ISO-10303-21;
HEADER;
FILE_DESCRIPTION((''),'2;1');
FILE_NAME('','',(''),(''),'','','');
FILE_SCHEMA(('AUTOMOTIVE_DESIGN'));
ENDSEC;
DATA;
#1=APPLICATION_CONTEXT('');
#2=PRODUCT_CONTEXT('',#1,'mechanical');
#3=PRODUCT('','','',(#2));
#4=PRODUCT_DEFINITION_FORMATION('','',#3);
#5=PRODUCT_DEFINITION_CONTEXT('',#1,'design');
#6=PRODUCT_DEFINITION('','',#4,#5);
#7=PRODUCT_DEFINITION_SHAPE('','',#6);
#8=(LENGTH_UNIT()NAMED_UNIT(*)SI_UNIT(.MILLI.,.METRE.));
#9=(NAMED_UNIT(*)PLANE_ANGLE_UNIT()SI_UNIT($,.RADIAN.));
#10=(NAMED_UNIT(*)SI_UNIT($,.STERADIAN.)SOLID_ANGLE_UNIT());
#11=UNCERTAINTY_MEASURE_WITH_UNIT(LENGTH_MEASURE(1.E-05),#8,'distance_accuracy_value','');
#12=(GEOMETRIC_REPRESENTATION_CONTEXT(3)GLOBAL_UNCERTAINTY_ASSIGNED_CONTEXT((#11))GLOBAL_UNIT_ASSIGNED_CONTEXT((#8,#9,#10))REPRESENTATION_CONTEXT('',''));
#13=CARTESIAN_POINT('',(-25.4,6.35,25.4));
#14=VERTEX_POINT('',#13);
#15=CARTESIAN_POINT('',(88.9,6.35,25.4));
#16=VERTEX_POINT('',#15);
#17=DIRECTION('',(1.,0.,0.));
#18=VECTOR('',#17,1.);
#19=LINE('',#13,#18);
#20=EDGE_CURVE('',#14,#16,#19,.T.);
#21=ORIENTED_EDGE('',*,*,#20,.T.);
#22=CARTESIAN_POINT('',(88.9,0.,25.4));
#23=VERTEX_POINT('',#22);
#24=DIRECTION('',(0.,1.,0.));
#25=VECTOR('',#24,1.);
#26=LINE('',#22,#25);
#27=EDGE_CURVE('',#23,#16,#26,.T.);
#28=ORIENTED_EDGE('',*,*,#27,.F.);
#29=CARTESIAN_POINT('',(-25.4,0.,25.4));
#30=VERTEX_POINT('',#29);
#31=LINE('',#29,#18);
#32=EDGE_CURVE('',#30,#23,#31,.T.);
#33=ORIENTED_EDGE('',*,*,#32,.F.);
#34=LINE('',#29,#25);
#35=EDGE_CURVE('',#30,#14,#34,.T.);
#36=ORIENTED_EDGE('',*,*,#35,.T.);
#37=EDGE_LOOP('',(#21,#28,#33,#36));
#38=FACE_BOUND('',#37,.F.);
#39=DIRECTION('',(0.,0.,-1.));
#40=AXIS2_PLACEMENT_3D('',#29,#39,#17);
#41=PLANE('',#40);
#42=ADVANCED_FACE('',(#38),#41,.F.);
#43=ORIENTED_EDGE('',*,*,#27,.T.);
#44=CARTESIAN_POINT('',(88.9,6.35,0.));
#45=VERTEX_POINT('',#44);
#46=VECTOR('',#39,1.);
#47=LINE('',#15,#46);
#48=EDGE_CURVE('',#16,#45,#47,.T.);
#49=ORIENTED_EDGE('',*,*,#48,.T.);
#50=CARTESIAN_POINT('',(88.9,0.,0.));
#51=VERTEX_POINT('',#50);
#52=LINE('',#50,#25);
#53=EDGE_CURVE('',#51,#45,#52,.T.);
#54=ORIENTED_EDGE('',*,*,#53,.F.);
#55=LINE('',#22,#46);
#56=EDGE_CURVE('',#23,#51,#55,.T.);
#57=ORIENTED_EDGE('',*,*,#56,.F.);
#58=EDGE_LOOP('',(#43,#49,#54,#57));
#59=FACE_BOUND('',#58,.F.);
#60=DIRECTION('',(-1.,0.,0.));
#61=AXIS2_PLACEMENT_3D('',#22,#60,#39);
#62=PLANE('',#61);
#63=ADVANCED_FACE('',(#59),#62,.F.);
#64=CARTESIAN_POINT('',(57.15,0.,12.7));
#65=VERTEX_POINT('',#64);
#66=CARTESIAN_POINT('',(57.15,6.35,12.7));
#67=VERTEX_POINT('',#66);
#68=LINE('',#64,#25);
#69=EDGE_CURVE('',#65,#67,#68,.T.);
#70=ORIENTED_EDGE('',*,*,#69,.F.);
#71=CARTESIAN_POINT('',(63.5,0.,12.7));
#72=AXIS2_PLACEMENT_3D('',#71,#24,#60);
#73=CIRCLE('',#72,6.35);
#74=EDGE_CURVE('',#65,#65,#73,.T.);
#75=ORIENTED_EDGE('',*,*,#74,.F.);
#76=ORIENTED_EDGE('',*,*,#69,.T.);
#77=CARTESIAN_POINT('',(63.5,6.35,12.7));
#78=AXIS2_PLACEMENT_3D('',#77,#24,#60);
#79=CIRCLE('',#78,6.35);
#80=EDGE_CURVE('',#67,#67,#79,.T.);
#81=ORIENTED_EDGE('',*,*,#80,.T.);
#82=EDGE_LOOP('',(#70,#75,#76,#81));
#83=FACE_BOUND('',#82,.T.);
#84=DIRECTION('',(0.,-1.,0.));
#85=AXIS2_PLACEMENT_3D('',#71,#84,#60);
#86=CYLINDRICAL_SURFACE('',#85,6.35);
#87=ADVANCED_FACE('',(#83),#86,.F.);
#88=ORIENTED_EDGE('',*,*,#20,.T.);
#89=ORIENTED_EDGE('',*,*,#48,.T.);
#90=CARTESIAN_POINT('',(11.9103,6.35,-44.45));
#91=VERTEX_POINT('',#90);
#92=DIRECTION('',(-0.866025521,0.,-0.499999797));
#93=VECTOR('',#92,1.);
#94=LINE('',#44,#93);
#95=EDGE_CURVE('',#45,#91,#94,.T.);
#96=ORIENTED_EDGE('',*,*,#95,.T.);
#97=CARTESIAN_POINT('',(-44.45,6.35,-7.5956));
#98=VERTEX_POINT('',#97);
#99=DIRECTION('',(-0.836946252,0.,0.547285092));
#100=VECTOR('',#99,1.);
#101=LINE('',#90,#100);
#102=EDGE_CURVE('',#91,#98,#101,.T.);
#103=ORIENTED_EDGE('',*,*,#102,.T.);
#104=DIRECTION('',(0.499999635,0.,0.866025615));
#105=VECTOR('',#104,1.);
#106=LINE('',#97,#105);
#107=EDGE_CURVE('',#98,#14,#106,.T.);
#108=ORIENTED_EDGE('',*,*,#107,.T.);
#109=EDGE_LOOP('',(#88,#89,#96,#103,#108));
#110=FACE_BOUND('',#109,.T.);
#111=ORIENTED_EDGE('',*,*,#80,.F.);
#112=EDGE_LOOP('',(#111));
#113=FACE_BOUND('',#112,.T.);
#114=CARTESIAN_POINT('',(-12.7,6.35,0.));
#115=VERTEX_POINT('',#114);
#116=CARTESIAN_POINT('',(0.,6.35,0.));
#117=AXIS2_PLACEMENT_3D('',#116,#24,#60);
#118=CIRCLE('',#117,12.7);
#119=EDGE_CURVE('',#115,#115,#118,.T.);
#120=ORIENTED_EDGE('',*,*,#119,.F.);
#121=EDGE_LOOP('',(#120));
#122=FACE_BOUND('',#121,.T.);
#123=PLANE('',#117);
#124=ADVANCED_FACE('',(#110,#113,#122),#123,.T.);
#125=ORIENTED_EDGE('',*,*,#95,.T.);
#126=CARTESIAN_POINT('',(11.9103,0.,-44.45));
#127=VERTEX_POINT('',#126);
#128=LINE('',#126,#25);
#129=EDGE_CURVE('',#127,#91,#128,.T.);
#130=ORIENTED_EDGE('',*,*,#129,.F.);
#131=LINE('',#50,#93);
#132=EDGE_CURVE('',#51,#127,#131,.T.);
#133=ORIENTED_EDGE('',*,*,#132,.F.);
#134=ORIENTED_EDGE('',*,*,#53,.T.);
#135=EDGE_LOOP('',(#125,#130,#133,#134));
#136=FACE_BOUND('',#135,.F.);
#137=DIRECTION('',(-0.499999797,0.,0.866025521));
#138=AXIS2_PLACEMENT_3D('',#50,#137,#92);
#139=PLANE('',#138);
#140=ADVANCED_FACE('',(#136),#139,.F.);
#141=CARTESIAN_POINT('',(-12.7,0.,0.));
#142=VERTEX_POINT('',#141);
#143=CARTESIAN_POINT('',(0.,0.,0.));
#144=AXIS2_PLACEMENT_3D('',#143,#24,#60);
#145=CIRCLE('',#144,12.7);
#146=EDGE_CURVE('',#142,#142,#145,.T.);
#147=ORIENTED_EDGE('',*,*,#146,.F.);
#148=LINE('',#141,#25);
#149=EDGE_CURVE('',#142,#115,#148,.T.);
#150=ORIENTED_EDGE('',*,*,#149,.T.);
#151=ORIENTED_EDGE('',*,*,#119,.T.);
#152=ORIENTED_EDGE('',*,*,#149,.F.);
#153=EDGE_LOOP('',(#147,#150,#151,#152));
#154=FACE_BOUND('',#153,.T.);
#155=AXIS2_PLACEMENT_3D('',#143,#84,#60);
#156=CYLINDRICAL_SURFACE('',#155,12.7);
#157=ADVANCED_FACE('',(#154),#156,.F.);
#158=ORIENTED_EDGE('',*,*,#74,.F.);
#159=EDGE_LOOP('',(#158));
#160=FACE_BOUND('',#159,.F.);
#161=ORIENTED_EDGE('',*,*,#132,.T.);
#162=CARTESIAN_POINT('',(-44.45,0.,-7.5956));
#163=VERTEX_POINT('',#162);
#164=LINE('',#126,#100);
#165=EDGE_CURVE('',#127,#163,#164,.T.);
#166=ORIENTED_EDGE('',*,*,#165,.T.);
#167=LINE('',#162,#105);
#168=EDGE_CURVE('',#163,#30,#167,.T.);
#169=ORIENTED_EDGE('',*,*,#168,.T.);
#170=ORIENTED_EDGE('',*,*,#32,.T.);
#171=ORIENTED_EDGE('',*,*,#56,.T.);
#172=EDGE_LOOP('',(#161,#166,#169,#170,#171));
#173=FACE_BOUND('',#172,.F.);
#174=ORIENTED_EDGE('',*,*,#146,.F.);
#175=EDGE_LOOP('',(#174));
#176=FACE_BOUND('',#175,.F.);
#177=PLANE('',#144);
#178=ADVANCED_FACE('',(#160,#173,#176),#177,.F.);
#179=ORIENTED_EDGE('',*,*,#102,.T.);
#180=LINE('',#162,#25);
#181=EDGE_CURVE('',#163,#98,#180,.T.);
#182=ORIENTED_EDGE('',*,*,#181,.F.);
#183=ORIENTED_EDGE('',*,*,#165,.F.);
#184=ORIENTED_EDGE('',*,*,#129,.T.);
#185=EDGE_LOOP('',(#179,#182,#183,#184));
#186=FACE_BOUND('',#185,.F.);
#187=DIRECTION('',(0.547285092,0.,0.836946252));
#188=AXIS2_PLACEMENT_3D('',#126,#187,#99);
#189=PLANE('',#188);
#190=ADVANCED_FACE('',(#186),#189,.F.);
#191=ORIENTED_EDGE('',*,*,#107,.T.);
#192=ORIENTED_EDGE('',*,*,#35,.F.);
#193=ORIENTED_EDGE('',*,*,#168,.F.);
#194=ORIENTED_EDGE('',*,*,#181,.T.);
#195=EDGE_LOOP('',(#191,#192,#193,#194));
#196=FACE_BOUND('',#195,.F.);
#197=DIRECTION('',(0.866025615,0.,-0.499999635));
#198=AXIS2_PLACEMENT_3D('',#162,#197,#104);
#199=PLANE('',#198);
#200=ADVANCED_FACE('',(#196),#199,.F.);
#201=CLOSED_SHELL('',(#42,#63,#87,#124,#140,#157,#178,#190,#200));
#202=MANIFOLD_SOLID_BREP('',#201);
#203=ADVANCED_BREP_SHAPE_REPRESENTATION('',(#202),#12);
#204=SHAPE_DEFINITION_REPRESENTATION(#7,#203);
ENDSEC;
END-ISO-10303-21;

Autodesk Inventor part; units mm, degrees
ref_plane "YZ Plane" through (0, 0, 0) normal (1, 0, 0) x (0, 1, 0)
ref_plane "XZ Plane" through (0, 0, 0) normal (0, 1, 0) x (-1, 0, 0)
ref_plane "XY Plane" through (0, 0, 0) normal (0, 0, 1) x (1, 0, 0)
sketch "Sketch1" plane through (0, 0, 0) normal (0, 1, 0) x (-1, 0, 0)
  circle A0 centre (0, 0) radius 12.7
  line L0 (-11.9103, -44.45) -> (44.45, -7.5956)
  line L1 (44.45, -7.5956) -> (25.4, 25.4)
  line L2 (25.4, 25.4) -> (-88.9, 25.4)
  line L3 (-88.9, 25.4) -> (-88.9, 0)
  line L4 (-88.9, 0) -> (-11.9103, -44.45)
  circle A1 centre (-63.5, 12.7) radius 6.35
  dimension "d0" = 60
  dimension "d1" = 60
  dimension "d2" = 25.4
  dimension "d3" = 25.4
  dimension "d4" = 25.4
  dimension "d5" = 88.9
  dimension "d6" = 88.9
  dimension "d7" = 114.3
  dimension "d8" = 12.7
  dimension "d9" = 25.4
  dimension "d10" = 12.7
  dimension "d11" = 38.1
extrude "Extrusion1" add sketch "Sketch1" along normal blind 6.35
properties part number "SliderBlock"
